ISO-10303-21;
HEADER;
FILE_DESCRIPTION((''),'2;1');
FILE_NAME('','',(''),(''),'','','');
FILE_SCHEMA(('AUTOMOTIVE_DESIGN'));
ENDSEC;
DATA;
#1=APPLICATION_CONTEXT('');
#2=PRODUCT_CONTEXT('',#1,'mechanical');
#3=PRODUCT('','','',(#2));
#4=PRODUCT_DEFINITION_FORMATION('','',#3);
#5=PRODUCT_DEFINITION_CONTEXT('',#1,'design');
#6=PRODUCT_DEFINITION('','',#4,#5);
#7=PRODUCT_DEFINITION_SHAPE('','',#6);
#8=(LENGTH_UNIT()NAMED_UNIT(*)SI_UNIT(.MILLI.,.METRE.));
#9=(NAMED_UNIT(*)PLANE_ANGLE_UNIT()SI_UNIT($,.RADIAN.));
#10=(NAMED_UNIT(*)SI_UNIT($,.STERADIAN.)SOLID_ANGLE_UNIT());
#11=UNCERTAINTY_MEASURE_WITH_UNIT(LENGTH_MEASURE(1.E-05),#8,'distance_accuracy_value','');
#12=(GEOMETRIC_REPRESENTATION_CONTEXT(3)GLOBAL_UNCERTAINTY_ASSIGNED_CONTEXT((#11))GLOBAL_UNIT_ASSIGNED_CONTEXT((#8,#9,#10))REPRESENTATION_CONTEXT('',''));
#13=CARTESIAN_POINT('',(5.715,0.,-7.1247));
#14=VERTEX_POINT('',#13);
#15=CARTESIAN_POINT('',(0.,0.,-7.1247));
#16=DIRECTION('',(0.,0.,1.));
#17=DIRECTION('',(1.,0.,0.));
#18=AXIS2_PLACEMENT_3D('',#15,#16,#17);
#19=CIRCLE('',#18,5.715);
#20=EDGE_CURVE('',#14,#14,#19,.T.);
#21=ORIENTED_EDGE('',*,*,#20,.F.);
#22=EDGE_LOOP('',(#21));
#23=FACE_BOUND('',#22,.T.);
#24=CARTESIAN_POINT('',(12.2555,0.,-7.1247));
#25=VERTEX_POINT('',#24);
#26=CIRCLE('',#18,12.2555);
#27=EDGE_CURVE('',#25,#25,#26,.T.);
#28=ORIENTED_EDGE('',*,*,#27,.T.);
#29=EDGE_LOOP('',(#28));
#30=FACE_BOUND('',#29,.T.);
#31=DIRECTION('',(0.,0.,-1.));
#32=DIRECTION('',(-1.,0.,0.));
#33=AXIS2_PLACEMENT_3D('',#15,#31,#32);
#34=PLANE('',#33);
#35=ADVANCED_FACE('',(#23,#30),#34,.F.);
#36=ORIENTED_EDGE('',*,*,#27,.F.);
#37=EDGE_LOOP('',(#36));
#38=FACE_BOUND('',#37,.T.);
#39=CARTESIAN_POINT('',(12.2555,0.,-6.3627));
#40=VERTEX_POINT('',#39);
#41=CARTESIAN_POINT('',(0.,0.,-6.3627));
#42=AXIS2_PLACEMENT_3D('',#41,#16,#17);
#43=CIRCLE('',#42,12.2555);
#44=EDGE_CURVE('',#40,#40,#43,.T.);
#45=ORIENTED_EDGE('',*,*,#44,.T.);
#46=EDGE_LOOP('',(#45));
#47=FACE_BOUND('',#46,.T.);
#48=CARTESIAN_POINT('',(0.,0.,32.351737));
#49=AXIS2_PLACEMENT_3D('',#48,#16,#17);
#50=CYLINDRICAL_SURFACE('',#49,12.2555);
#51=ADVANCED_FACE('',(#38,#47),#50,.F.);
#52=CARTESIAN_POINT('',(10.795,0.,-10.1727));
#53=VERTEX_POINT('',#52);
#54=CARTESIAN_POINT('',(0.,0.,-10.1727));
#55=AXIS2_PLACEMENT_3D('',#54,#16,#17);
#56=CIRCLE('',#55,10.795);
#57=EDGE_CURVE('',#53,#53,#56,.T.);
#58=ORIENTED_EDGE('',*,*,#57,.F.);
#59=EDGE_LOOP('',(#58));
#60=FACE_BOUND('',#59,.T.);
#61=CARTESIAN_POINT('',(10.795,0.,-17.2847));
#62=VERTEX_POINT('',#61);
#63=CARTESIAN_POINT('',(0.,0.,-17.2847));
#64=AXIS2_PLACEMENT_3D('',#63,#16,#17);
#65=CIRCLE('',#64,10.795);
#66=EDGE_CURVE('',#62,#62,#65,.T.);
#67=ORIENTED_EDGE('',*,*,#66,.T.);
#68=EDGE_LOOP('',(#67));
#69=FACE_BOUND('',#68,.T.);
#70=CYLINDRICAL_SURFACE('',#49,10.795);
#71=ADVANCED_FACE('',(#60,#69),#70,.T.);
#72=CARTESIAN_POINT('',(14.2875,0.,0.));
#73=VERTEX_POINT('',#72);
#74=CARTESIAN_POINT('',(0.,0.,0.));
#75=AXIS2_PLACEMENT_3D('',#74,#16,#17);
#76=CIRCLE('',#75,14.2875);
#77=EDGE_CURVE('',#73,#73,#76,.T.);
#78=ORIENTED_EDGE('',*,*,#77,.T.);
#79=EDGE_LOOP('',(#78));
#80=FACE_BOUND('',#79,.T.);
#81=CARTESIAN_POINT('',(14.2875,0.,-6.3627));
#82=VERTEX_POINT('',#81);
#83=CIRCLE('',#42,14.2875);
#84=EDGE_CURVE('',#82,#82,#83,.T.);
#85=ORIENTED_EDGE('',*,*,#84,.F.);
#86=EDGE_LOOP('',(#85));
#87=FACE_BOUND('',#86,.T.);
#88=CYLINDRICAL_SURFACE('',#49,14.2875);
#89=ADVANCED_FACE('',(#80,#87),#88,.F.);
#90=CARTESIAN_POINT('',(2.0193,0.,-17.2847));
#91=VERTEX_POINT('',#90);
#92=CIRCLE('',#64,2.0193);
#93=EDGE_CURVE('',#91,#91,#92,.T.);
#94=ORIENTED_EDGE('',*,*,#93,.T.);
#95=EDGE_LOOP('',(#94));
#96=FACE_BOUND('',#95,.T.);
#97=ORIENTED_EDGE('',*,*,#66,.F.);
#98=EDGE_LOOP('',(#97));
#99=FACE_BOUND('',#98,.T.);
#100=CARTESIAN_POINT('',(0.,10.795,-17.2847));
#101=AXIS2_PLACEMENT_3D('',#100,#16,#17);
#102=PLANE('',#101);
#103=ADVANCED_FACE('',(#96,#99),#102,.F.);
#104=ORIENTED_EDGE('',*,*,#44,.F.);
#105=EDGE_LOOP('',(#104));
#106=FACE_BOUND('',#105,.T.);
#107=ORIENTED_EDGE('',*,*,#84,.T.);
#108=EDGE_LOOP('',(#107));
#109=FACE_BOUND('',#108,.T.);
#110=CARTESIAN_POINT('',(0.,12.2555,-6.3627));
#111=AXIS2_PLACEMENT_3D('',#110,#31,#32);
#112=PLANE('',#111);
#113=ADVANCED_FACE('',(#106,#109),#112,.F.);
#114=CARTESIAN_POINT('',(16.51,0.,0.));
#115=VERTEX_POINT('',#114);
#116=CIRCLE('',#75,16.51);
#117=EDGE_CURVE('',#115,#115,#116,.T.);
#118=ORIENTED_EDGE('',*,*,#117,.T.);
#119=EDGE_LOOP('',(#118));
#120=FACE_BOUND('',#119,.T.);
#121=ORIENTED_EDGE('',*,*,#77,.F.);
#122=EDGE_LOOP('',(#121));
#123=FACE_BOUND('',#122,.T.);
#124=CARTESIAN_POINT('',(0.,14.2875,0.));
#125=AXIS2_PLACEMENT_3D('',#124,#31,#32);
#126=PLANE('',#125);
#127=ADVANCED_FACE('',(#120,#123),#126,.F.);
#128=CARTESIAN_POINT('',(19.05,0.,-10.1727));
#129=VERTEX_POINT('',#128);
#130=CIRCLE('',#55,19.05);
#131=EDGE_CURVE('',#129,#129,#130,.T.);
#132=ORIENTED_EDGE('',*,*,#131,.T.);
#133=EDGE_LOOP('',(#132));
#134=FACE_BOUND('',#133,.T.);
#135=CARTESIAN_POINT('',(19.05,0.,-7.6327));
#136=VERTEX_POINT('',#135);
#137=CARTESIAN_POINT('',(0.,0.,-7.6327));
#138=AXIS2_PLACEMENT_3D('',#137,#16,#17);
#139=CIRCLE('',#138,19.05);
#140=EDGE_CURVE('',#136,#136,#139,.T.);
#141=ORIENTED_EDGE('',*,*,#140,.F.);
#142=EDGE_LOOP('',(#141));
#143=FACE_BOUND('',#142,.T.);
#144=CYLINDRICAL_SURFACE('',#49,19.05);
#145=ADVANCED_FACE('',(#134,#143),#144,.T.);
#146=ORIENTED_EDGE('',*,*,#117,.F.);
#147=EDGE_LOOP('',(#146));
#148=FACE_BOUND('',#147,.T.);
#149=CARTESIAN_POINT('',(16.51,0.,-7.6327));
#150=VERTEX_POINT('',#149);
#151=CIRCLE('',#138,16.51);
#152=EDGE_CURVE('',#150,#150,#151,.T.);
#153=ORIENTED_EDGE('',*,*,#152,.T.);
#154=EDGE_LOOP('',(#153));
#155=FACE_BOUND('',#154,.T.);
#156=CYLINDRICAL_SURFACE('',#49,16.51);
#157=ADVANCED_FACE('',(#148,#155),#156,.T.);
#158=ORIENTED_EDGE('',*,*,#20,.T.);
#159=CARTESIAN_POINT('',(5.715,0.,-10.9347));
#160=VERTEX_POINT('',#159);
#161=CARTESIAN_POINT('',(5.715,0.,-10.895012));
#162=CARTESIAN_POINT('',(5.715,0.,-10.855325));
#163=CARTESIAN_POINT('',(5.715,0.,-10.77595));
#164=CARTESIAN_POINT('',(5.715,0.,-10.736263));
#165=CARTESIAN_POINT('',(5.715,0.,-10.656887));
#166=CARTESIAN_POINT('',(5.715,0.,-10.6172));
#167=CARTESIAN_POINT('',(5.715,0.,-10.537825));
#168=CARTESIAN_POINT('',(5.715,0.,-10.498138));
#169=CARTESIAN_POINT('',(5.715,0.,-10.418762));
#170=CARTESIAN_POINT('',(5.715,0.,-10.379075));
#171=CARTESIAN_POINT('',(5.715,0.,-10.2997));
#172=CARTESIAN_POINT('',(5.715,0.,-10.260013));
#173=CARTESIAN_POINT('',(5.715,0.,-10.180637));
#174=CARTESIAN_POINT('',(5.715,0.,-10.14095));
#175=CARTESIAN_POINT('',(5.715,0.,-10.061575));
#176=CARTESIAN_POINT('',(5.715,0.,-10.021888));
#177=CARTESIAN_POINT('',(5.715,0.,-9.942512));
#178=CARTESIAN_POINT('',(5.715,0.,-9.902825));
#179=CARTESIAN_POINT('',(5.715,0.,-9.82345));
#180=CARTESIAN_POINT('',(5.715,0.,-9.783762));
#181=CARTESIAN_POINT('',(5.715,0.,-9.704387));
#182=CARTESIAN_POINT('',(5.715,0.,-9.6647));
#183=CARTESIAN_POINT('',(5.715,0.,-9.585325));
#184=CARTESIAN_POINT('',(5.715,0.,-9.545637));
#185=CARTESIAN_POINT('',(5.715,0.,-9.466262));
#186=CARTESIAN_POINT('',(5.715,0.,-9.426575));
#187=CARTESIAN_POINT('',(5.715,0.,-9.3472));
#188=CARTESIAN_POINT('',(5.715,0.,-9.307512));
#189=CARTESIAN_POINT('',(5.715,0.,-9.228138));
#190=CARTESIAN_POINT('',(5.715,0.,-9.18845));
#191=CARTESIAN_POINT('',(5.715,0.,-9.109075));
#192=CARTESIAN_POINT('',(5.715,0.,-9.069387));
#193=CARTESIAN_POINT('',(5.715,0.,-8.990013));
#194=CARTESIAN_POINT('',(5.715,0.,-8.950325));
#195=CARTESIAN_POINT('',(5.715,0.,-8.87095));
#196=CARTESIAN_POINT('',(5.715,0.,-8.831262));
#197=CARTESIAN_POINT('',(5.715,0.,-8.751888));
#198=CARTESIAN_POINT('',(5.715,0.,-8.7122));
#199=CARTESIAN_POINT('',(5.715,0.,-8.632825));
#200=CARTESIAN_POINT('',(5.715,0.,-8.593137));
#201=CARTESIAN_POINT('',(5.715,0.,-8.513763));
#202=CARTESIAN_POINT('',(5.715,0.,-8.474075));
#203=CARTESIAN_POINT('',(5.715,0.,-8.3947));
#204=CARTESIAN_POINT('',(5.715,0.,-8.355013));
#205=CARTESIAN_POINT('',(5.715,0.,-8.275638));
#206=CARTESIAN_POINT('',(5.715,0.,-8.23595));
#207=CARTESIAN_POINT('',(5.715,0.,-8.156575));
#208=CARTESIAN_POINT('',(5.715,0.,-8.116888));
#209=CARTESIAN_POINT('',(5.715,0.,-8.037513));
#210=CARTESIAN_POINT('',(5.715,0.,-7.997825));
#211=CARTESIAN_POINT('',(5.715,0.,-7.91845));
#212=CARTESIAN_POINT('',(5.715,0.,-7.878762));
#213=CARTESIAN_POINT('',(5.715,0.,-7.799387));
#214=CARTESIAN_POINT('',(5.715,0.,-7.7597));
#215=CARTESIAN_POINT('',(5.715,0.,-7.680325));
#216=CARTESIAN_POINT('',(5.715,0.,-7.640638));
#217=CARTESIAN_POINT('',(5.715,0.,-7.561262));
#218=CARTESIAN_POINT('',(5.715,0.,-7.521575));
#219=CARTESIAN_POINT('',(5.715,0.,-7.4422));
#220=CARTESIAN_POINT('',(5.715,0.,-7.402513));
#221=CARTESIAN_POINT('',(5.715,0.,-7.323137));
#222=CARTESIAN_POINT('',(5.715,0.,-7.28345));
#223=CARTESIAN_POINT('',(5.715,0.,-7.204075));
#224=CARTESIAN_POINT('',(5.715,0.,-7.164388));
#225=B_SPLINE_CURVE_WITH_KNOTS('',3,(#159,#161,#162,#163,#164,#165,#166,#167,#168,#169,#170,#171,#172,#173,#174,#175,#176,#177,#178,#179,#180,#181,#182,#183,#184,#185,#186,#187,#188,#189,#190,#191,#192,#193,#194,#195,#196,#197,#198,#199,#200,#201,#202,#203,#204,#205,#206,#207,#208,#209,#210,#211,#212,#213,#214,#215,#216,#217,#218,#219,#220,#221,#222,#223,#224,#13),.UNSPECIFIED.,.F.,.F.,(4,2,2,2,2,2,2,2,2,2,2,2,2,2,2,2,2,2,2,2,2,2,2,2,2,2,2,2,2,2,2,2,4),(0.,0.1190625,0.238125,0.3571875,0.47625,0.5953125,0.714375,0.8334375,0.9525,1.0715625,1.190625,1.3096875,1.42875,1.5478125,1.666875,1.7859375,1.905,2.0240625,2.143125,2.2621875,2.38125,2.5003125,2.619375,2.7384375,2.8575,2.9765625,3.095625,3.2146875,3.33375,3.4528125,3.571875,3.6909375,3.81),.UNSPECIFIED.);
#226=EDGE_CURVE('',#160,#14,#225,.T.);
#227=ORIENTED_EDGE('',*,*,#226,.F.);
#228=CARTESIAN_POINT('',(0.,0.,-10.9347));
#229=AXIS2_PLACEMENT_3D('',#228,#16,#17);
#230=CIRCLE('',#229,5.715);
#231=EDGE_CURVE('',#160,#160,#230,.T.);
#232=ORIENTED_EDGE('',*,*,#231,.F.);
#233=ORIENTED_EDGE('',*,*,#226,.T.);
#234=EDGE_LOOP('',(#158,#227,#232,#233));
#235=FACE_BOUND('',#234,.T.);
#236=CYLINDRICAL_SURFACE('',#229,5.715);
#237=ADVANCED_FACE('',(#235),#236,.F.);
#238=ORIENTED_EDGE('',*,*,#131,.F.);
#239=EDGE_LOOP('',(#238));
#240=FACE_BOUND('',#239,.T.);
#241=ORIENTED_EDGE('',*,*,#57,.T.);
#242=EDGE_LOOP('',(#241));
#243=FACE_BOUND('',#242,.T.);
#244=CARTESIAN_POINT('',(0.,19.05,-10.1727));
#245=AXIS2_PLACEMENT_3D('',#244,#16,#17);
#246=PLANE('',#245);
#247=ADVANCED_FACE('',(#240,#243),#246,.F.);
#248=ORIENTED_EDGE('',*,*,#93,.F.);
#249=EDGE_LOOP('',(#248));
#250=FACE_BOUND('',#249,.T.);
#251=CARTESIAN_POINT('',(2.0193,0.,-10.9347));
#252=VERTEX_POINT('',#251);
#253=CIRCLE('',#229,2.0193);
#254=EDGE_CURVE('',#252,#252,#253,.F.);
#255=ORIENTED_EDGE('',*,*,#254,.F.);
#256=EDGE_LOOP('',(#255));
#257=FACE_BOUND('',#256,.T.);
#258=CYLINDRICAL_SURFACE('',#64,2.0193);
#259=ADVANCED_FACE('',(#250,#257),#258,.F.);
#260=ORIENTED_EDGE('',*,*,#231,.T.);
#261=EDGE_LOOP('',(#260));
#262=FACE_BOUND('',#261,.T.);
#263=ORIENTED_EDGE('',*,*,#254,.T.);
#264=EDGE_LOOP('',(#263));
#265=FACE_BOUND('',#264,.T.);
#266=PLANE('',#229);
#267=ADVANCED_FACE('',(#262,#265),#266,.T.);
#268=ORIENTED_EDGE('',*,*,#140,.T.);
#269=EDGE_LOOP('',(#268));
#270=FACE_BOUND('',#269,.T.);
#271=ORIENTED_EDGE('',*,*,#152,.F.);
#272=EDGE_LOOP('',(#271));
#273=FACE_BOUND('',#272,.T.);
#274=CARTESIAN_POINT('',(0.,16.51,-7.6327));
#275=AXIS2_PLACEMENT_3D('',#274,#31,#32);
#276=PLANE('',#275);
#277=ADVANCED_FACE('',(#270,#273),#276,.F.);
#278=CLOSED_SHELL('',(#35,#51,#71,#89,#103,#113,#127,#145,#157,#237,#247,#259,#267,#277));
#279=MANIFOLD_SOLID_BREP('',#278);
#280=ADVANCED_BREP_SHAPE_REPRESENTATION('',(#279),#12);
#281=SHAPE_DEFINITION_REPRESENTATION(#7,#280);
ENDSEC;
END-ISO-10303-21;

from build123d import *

# Parameters (mm, degrees)
SKETCH2_R          = 2.0193
CUT_EXTRUDE1_DEPTH = 29.792891484
SKETCH3_R          = 5.715
CUT_EXTRUDE2_DEPTH = 3.81


with BuildPart() as part:
    # Sketch1 → Revolve1 (revolve)
    with BuildSketch(Plane(origin=(0, 0, 0), x_dir=(0, 0, -1), z_dir=(1, 0, 0)), mode=Mode.PRIVATE) as revolve1_sk:
        Polygon((17.2847, 0), (7.1247, 0), (7.1247, 12.2555), (6.3627, 12.2555), (6.3627, 14.2875), (0, 14.2875), (0, 16.51), (7.6327, 16.51), (7.6327, 19.05), (10.1727, 19.05), (10.1727, 10.795), (17.2847, 10.795), align=None)
    revolve(revolve1_sk.sketch.rotate(Axis((0, 0, 32.351737074), (0, 0, -1)), 90), axis=Axis((0, 0, 32.351737074), (0, 0, -1)))

    # Sketch2 → Cut-Extrude1 (cut, through all)
    with BuildSketch(Plane.XY.offset(-7.1247)):
        Circle(SKETCH2_R)
    extrude(amount=-CUT_EXTRUDE1_DEPTH, mode=Mode.SUBTRACT)

    # Sketch3 → Cut-Extrude2 (cut)
    with BuildSketch(Plane.XY.offset(-7.1247)):
        Circle(SKETCH3_R)
    extrude(amount=-CUT_EXTRUDE2_DEPTH, mode=Mode.SUBTRACT)


solid = part.part
